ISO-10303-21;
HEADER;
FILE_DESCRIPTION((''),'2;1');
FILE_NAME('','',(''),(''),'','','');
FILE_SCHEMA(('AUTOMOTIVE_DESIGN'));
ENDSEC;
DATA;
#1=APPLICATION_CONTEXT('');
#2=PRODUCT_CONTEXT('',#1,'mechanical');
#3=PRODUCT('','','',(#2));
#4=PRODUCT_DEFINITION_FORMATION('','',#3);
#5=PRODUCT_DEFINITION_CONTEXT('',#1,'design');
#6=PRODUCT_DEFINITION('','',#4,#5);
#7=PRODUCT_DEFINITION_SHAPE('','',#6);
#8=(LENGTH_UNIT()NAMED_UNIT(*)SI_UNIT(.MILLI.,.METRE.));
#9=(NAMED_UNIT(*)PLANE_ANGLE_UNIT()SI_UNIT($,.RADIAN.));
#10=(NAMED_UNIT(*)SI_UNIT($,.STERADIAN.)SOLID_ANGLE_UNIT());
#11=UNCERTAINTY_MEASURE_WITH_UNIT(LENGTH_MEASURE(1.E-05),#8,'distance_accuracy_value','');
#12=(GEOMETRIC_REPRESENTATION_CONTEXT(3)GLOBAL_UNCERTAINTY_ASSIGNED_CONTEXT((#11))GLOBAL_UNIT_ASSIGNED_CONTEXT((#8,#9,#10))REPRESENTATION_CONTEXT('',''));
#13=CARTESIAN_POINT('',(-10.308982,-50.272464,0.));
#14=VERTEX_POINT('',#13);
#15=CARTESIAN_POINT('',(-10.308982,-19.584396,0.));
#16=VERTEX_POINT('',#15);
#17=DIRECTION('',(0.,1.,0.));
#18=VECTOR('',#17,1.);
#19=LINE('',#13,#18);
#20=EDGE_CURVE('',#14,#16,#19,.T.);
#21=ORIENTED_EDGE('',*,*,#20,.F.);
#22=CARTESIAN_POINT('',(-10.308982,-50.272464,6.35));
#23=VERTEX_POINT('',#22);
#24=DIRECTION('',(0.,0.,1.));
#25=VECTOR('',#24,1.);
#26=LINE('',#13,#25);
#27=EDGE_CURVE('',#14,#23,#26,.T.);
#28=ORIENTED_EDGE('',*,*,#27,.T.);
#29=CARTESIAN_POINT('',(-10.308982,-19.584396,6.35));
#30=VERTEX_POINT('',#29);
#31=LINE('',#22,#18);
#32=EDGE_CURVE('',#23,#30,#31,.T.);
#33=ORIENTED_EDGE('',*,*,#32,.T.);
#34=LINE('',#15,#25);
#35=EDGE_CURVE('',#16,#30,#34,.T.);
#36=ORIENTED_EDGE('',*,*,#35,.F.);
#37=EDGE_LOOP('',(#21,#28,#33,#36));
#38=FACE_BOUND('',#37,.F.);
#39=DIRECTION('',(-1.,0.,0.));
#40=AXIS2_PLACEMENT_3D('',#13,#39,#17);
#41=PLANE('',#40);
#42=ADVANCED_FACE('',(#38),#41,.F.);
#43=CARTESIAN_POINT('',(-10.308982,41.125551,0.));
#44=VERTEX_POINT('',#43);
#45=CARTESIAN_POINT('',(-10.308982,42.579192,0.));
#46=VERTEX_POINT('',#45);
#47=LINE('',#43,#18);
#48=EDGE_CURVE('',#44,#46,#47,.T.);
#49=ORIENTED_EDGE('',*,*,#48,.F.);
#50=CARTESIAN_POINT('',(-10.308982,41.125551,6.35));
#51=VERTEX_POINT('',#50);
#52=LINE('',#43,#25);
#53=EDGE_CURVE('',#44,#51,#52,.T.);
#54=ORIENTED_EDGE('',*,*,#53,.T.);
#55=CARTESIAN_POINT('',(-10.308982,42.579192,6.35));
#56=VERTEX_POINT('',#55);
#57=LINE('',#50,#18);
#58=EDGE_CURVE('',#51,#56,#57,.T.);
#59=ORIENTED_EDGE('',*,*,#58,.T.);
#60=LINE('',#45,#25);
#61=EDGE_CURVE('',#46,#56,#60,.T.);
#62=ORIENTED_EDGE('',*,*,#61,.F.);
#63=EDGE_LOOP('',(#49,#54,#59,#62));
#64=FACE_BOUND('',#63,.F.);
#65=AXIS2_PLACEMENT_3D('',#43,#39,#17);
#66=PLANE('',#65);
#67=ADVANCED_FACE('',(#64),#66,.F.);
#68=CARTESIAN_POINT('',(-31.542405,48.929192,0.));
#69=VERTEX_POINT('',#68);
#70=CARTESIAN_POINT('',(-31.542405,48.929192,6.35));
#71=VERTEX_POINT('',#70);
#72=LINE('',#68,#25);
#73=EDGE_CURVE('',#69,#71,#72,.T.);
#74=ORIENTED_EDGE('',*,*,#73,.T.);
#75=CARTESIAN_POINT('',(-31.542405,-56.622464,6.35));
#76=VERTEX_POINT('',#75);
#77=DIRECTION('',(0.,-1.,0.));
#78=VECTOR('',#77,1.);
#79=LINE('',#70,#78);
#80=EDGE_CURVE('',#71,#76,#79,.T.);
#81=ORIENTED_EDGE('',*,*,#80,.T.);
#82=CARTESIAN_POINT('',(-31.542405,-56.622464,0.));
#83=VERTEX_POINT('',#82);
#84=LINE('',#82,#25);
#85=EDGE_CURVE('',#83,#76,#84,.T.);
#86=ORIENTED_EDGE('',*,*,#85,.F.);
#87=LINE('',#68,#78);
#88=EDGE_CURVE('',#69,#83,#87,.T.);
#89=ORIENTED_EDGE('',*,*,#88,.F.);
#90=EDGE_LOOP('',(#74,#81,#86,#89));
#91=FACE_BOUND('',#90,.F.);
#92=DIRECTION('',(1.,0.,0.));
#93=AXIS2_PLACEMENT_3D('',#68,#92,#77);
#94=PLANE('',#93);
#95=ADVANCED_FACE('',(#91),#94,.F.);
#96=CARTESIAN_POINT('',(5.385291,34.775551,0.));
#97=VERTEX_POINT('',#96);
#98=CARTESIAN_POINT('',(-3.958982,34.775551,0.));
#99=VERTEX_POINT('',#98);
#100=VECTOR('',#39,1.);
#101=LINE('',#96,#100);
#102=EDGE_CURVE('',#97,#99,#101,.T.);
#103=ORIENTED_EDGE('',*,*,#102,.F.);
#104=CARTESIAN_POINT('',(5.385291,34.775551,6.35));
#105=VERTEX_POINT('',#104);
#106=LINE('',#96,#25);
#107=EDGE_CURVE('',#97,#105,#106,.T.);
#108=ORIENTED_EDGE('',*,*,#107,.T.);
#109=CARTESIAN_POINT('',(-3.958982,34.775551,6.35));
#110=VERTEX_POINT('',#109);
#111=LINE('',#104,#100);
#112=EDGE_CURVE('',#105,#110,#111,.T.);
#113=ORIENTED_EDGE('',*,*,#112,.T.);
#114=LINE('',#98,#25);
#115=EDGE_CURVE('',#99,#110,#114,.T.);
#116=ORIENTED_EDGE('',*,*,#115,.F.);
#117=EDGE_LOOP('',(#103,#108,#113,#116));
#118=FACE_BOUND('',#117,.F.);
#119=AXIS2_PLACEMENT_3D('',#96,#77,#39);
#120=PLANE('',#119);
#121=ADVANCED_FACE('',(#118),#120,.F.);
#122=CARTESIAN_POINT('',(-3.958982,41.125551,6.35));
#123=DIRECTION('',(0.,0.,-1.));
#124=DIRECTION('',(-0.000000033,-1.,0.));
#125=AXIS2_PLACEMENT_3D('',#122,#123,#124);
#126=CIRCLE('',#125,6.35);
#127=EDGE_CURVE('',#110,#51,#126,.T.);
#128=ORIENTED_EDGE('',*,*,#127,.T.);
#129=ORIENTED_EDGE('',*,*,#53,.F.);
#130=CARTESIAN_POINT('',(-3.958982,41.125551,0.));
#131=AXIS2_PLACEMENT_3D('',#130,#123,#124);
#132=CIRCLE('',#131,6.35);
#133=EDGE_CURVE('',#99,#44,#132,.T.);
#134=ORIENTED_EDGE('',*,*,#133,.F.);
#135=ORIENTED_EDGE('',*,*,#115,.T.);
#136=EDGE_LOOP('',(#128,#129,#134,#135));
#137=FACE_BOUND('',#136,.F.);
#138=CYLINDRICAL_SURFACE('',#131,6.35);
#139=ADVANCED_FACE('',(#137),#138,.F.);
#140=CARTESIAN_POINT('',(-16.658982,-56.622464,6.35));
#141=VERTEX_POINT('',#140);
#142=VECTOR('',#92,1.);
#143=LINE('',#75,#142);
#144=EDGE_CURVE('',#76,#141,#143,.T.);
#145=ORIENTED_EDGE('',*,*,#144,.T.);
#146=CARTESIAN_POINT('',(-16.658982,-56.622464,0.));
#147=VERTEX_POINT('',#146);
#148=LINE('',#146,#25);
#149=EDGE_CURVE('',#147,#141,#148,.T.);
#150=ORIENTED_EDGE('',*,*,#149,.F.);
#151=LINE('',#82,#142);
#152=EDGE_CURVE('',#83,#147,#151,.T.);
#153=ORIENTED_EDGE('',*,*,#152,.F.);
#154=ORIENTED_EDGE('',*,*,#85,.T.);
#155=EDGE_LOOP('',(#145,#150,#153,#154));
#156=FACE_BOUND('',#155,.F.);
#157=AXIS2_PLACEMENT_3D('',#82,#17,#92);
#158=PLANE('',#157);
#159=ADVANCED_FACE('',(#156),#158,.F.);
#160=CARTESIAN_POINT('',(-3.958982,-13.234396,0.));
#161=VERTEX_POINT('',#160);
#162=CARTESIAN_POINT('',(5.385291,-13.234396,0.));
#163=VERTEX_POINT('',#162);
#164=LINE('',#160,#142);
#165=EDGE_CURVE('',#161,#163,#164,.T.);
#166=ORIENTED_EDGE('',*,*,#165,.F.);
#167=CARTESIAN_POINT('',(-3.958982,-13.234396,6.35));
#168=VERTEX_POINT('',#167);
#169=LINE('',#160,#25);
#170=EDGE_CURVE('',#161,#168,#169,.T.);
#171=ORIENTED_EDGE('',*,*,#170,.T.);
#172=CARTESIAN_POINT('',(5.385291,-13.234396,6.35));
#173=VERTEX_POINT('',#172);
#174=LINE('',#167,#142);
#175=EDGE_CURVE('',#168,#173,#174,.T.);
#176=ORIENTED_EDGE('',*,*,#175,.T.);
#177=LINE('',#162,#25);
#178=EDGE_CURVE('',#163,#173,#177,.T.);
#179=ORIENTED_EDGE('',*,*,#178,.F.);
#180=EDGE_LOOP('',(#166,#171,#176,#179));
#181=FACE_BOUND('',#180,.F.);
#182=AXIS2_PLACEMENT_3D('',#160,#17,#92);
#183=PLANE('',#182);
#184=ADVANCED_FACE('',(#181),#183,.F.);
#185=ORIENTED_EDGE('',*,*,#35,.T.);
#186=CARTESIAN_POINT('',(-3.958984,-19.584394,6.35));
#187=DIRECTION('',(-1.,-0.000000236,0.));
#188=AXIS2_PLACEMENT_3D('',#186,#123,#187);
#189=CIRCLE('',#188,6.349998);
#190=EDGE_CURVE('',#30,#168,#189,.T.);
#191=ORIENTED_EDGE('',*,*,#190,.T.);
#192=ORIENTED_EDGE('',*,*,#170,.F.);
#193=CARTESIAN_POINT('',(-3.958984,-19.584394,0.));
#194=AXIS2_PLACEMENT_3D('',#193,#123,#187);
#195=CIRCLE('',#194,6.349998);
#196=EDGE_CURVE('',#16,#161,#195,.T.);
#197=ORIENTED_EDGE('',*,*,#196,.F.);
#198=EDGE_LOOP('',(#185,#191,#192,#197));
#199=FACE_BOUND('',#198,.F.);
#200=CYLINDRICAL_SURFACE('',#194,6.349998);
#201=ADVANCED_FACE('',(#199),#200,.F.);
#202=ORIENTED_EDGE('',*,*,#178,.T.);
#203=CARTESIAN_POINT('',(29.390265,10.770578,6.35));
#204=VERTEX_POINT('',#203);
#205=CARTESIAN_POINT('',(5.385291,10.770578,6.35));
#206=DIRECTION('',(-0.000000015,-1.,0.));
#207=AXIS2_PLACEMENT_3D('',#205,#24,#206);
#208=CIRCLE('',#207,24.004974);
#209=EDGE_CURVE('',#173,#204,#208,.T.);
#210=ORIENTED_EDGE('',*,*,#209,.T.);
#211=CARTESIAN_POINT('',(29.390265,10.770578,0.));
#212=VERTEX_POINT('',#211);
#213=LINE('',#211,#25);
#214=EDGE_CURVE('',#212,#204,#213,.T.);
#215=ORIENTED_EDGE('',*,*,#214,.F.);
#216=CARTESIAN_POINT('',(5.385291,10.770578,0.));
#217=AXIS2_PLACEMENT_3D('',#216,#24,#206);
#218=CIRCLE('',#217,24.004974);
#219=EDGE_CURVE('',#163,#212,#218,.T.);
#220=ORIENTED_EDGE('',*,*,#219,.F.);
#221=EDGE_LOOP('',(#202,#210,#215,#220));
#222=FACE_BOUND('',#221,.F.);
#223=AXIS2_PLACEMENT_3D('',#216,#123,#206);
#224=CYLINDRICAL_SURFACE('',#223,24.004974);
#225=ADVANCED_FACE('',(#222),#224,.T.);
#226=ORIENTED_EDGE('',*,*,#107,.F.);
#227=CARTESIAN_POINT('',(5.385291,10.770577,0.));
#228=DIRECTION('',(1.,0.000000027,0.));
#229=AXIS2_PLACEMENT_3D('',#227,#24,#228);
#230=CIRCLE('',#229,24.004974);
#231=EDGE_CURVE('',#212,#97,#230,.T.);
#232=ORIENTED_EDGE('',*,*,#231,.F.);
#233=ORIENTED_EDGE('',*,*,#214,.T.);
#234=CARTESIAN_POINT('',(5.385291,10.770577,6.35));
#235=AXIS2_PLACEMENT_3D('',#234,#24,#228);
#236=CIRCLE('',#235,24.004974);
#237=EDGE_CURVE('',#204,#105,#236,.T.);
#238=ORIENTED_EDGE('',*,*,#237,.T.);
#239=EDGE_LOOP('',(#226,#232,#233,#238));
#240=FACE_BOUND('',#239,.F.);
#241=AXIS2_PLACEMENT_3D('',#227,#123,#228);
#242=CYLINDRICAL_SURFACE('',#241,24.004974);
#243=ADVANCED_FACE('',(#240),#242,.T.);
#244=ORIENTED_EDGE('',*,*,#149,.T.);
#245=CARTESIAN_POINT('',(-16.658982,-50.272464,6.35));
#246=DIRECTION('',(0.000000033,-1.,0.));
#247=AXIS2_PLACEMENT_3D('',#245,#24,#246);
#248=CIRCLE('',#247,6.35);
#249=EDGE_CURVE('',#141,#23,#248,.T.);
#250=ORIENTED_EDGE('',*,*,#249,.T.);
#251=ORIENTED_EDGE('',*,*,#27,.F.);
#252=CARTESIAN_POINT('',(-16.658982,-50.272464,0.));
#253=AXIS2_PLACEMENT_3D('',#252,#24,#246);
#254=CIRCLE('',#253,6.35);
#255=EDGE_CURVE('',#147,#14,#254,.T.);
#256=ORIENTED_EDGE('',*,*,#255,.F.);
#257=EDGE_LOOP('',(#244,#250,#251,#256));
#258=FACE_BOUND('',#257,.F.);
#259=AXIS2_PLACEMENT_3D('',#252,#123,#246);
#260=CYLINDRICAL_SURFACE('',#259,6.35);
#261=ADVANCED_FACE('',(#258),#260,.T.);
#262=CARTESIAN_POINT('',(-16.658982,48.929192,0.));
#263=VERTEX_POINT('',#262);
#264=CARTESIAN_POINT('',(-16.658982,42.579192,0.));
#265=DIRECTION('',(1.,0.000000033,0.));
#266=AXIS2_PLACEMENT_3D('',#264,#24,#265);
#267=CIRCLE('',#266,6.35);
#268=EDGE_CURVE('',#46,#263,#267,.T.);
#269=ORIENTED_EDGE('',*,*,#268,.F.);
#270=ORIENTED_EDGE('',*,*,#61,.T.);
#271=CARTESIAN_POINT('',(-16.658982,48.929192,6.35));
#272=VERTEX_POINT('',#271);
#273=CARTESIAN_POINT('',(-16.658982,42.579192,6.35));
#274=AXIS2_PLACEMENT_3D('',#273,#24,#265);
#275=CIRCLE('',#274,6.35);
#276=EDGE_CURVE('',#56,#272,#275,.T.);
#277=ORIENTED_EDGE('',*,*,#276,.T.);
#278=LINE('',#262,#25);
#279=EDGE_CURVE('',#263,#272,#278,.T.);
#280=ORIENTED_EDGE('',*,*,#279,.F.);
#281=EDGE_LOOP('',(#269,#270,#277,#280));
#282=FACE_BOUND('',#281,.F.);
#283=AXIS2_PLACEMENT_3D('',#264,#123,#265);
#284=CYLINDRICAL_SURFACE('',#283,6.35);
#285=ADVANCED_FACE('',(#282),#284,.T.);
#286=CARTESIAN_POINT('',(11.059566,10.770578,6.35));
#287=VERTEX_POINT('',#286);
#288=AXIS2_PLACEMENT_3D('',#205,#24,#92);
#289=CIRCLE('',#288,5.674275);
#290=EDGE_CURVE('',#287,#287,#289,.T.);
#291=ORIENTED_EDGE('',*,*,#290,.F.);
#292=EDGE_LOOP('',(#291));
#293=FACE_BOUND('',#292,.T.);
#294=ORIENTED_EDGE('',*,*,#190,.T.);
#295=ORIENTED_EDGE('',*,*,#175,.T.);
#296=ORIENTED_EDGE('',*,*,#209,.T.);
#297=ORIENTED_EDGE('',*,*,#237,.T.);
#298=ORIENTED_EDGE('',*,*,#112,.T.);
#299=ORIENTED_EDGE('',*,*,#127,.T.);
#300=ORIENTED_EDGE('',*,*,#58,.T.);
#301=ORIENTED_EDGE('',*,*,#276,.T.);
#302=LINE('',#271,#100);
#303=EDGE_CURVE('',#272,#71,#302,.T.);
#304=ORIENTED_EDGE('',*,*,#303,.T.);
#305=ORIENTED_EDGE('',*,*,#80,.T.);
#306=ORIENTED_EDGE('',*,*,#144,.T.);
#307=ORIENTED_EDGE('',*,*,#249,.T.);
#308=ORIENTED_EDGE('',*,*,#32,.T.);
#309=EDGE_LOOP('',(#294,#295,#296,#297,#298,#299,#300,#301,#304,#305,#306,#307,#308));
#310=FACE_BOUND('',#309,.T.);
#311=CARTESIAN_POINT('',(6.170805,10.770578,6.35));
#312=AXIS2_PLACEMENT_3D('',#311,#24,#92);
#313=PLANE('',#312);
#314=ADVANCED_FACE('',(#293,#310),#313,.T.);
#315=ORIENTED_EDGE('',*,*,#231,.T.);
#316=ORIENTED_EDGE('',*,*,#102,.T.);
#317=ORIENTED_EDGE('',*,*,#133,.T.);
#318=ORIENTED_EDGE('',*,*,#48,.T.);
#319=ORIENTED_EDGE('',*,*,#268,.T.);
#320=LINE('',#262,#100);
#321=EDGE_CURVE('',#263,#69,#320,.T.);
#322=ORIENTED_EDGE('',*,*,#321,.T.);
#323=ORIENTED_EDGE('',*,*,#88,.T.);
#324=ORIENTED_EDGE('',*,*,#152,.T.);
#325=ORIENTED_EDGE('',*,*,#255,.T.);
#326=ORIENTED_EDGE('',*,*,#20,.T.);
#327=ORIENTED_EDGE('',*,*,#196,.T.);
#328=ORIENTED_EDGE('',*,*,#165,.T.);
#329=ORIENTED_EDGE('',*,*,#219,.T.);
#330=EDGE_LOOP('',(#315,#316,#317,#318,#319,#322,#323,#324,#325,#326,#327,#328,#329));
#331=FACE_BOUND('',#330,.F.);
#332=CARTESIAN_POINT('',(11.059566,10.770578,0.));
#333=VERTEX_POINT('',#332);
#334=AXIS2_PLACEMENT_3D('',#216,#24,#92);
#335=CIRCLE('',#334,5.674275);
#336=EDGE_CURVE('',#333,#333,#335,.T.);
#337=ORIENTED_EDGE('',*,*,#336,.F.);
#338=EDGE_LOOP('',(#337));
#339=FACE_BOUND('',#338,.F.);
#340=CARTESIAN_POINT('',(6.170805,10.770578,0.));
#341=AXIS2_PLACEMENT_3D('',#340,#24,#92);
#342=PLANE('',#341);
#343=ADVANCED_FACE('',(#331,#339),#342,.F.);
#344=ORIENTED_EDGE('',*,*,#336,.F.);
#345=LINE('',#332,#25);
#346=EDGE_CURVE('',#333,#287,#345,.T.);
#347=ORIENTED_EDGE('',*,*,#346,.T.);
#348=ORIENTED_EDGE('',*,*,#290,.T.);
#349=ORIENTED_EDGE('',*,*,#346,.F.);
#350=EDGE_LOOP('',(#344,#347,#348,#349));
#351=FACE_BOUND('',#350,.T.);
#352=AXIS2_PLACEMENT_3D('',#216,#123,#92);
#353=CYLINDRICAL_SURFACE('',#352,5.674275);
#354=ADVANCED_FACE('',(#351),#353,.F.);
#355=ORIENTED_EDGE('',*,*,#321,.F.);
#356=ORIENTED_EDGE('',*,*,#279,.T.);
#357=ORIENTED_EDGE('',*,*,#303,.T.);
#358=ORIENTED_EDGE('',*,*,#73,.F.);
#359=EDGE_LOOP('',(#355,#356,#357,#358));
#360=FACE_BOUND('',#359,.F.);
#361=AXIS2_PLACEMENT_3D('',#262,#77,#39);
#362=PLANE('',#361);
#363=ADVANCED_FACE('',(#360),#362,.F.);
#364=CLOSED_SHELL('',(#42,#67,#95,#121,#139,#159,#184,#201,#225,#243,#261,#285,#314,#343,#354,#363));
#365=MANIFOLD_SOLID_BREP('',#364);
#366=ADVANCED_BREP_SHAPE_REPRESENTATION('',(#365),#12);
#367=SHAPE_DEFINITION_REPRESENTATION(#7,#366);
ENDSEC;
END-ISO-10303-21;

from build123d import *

# Parameters (mm, degrees)
F0_R     = 5.674275
F1_DEPTH = 6.35


with BuildPart() as f1:
    # F0 (on Top) → F1 (new body)
    with BuildSketch(Plane.XY):
        with BuildLine():
            ThreePointArc((29.390265, 10.770578), (22.359371, 27.744657), (5.385291, 34.775551))
            ThreePointArc((5.385291, 34.775551), (-18.619682, 10.770578), (5.385291, -13.234396))
            ThreePointArc((5.385291, -13.234396), (22.359371, -6.203502), (29.390265, 10.770578))
        make_face()
        with Locations((5.385291, 10.770578)):
            Circle(F0_R, mode=Mode.SUBTRACT)
        with BuildLine():
            Line((-16.658982, 48.929192), (-31.542405, 48.929192))
            Line((-31.542405, 48.929192), (-31.542405, -56.622464))
            Line((-31.542405, -56.622464), (-16.658982, -56.622464))
            ThreePointArc((-16.658982, -56.622464), (-12.168854, -54.762592), (-10.308982, -50.272464))
            Line((-10.308982, -50.272464), (-10.308982, -19.584396))
            ThreePointArc((-10.308982, -19.584396), (-8.44911, -15.094267), (-3.958982, -13.234396))
            Line((-3.958982, -13.234396), (5.385291, -13.234396))
            ThreePointArc((5.385291, -13.234396), (-18.619682, 10.770578), (5.385291, 34.775551))
            Line((5.385291, 34.775551), (-3.958982, 34.775551))
            ThreePointArc((-3.958982, 34.775551), (-8.44911, 36.635423), (-10.308982, 41.125551))
            Line((-10.308982, 41.125551), (-10.308982, 42.579192))
            ThreePointArc((-10.308982, 42.579192), (-12.168854, 47.06932), (-16.658982, 48.929192))
        make_face()
    extrude(amount=F1_DEPTH)


solid = f1.part
